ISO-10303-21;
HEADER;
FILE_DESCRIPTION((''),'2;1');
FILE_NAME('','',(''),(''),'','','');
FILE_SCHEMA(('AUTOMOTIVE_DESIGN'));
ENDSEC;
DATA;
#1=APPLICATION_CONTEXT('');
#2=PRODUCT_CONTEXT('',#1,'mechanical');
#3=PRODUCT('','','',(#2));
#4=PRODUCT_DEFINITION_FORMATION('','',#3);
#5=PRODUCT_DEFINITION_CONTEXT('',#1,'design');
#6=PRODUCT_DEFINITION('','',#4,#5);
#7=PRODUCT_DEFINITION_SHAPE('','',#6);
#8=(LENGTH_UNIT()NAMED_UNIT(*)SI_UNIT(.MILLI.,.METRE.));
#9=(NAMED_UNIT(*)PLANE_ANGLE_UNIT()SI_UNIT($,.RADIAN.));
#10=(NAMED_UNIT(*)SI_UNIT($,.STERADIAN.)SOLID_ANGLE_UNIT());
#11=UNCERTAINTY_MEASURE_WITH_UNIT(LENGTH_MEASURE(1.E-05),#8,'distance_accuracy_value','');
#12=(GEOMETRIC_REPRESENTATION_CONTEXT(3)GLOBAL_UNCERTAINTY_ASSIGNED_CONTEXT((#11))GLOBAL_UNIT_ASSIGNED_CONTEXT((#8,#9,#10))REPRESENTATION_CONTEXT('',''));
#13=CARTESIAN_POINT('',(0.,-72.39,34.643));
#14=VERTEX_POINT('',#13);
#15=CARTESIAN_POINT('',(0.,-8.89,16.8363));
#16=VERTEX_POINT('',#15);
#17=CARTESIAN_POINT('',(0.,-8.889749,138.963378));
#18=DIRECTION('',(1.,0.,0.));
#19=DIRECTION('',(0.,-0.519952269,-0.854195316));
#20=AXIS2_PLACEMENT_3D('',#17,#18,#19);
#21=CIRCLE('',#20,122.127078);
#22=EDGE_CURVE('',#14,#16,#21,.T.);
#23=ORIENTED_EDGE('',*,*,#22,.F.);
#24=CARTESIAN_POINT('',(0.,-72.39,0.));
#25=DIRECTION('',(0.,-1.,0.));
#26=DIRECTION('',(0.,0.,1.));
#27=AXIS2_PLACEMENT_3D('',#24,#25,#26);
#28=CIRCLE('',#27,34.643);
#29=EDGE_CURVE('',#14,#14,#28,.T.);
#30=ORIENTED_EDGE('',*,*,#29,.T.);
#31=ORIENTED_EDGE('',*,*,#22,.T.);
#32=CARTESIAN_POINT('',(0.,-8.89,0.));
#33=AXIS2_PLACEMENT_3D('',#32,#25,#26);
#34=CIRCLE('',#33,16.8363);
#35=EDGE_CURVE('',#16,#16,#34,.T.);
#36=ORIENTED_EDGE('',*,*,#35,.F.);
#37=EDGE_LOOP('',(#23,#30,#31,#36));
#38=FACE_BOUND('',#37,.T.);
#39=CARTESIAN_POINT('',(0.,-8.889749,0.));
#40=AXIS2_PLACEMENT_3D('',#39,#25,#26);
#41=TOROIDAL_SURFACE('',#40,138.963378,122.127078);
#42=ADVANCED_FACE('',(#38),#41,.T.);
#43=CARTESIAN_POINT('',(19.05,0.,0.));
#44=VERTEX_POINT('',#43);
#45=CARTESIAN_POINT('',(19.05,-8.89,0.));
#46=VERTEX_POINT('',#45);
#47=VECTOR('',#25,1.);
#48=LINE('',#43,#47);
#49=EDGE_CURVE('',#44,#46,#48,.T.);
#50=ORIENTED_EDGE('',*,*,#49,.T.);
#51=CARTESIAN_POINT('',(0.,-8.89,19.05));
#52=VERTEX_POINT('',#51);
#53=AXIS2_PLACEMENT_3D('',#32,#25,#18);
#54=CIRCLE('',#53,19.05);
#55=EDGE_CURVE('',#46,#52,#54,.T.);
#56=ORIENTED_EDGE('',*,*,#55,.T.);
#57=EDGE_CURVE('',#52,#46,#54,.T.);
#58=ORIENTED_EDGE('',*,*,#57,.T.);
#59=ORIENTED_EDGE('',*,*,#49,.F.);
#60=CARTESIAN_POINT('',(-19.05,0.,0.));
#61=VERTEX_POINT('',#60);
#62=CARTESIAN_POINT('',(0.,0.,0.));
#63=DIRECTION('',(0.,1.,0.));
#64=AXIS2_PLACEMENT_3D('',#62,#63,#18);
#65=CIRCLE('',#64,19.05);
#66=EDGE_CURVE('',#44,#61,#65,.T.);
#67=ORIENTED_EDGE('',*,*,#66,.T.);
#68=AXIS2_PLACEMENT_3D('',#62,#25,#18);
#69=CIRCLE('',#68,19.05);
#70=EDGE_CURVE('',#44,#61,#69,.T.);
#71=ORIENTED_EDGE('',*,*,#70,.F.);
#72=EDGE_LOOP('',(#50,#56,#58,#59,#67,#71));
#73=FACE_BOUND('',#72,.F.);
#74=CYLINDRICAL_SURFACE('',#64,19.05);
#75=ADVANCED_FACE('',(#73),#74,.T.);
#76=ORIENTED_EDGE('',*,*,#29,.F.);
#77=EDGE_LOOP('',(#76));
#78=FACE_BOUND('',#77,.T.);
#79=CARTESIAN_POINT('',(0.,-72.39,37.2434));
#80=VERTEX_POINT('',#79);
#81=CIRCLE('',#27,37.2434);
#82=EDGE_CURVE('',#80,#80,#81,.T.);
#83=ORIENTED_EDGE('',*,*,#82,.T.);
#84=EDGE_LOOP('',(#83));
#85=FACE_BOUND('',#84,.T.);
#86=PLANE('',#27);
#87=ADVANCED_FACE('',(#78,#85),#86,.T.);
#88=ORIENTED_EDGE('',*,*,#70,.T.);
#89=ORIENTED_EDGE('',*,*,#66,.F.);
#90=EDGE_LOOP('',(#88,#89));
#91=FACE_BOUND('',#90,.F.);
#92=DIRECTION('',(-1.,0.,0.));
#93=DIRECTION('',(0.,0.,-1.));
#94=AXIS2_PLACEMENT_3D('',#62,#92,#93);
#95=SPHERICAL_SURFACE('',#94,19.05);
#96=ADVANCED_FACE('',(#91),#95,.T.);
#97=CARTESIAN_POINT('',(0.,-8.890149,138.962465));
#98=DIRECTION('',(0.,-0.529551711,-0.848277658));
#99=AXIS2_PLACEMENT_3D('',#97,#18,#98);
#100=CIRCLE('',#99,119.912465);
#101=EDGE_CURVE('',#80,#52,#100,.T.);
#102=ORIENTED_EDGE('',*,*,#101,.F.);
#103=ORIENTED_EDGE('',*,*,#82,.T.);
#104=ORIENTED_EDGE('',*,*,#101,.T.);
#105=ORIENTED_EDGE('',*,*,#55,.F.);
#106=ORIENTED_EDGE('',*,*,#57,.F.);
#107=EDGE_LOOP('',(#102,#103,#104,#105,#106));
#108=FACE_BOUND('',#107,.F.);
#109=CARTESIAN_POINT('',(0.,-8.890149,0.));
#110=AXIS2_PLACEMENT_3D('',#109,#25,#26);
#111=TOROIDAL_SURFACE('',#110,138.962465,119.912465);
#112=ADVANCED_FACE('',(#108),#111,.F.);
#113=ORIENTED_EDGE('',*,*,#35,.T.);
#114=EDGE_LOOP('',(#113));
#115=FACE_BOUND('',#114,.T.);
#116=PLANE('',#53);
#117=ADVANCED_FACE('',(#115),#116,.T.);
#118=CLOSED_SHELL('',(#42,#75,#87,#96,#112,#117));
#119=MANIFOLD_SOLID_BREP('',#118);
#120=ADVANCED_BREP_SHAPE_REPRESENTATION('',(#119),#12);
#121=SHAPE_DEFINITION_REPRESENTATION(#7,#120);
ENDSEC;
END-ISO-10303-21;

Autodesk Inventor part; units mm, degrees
ref_plane "YZ Plane" through (0, 0, 0) normal (1, 0, 0) x (0, 1, 0)
ref_plane "XZ Plane" through (0, 0, 0) normal (0, 1, 0) x (-1, 0, 0)
ref_plane "XY Plane" through (0, 0, 0) normal (0, 0, 1) x (1, 0, 0)
sketch "Sketch1" plane through (0, 0, 0) normal (0, 1, 0) x (-1, 0, 0)
  arc A0 (-19.05, 0) -> (19.05, 0) centre (0, 0) ccw
  line L0 (19.05, 0) -> (-19.05, 0)
revolve "Revolution1" add sketch "Sketch1" angle 180 about axis through (-19.05, 0, 0) along (1, 0, 0)
sketch "Sketch2" plane through (0, 0, 0) normal (0, -1, 0) x (1, 0, 0)
  circle A0 centre (0, 0) radius 19.05
extrude "Extrusion1" add sketch "Sketch2" along normal blind 8.89
sketch "Sketch3" plane through (0, 0, 0) normal (1, 0, 0) x (0, 1, 0)
  line L0 (-8.89, 19.05) -> (-8.89, -19.05) projected
  line L1 (-8.89, 0) -> (-72.39, 0)
  arc A0 (-72.39, 37.2434) -> (-8.89, 19.05) centre (-8.89, 138.9628) ccw
  arc A1 (-72.39, 34.643) -> (-8.89, 16.8363) centre (-8.89, 138.9628) ccw
  line L2 (-8.89, 16.8363) -> (0, 16.8363)
  line L3 (-72.39, 37.2434) -> (-72.39, 34.643)
  line L4 (-8.89, 16.8363) -> (-8.89, 19.05)
  point P0 (0, 0)
  point P1 (-8.89, 16.8363)
  dimension "d4" = 63.5
revolve "Revolution2" add sketch "Sketch3" angle 360 about axis through (0, -8.89, 0) along (0, -1, 0)
properties part number "cock1"
